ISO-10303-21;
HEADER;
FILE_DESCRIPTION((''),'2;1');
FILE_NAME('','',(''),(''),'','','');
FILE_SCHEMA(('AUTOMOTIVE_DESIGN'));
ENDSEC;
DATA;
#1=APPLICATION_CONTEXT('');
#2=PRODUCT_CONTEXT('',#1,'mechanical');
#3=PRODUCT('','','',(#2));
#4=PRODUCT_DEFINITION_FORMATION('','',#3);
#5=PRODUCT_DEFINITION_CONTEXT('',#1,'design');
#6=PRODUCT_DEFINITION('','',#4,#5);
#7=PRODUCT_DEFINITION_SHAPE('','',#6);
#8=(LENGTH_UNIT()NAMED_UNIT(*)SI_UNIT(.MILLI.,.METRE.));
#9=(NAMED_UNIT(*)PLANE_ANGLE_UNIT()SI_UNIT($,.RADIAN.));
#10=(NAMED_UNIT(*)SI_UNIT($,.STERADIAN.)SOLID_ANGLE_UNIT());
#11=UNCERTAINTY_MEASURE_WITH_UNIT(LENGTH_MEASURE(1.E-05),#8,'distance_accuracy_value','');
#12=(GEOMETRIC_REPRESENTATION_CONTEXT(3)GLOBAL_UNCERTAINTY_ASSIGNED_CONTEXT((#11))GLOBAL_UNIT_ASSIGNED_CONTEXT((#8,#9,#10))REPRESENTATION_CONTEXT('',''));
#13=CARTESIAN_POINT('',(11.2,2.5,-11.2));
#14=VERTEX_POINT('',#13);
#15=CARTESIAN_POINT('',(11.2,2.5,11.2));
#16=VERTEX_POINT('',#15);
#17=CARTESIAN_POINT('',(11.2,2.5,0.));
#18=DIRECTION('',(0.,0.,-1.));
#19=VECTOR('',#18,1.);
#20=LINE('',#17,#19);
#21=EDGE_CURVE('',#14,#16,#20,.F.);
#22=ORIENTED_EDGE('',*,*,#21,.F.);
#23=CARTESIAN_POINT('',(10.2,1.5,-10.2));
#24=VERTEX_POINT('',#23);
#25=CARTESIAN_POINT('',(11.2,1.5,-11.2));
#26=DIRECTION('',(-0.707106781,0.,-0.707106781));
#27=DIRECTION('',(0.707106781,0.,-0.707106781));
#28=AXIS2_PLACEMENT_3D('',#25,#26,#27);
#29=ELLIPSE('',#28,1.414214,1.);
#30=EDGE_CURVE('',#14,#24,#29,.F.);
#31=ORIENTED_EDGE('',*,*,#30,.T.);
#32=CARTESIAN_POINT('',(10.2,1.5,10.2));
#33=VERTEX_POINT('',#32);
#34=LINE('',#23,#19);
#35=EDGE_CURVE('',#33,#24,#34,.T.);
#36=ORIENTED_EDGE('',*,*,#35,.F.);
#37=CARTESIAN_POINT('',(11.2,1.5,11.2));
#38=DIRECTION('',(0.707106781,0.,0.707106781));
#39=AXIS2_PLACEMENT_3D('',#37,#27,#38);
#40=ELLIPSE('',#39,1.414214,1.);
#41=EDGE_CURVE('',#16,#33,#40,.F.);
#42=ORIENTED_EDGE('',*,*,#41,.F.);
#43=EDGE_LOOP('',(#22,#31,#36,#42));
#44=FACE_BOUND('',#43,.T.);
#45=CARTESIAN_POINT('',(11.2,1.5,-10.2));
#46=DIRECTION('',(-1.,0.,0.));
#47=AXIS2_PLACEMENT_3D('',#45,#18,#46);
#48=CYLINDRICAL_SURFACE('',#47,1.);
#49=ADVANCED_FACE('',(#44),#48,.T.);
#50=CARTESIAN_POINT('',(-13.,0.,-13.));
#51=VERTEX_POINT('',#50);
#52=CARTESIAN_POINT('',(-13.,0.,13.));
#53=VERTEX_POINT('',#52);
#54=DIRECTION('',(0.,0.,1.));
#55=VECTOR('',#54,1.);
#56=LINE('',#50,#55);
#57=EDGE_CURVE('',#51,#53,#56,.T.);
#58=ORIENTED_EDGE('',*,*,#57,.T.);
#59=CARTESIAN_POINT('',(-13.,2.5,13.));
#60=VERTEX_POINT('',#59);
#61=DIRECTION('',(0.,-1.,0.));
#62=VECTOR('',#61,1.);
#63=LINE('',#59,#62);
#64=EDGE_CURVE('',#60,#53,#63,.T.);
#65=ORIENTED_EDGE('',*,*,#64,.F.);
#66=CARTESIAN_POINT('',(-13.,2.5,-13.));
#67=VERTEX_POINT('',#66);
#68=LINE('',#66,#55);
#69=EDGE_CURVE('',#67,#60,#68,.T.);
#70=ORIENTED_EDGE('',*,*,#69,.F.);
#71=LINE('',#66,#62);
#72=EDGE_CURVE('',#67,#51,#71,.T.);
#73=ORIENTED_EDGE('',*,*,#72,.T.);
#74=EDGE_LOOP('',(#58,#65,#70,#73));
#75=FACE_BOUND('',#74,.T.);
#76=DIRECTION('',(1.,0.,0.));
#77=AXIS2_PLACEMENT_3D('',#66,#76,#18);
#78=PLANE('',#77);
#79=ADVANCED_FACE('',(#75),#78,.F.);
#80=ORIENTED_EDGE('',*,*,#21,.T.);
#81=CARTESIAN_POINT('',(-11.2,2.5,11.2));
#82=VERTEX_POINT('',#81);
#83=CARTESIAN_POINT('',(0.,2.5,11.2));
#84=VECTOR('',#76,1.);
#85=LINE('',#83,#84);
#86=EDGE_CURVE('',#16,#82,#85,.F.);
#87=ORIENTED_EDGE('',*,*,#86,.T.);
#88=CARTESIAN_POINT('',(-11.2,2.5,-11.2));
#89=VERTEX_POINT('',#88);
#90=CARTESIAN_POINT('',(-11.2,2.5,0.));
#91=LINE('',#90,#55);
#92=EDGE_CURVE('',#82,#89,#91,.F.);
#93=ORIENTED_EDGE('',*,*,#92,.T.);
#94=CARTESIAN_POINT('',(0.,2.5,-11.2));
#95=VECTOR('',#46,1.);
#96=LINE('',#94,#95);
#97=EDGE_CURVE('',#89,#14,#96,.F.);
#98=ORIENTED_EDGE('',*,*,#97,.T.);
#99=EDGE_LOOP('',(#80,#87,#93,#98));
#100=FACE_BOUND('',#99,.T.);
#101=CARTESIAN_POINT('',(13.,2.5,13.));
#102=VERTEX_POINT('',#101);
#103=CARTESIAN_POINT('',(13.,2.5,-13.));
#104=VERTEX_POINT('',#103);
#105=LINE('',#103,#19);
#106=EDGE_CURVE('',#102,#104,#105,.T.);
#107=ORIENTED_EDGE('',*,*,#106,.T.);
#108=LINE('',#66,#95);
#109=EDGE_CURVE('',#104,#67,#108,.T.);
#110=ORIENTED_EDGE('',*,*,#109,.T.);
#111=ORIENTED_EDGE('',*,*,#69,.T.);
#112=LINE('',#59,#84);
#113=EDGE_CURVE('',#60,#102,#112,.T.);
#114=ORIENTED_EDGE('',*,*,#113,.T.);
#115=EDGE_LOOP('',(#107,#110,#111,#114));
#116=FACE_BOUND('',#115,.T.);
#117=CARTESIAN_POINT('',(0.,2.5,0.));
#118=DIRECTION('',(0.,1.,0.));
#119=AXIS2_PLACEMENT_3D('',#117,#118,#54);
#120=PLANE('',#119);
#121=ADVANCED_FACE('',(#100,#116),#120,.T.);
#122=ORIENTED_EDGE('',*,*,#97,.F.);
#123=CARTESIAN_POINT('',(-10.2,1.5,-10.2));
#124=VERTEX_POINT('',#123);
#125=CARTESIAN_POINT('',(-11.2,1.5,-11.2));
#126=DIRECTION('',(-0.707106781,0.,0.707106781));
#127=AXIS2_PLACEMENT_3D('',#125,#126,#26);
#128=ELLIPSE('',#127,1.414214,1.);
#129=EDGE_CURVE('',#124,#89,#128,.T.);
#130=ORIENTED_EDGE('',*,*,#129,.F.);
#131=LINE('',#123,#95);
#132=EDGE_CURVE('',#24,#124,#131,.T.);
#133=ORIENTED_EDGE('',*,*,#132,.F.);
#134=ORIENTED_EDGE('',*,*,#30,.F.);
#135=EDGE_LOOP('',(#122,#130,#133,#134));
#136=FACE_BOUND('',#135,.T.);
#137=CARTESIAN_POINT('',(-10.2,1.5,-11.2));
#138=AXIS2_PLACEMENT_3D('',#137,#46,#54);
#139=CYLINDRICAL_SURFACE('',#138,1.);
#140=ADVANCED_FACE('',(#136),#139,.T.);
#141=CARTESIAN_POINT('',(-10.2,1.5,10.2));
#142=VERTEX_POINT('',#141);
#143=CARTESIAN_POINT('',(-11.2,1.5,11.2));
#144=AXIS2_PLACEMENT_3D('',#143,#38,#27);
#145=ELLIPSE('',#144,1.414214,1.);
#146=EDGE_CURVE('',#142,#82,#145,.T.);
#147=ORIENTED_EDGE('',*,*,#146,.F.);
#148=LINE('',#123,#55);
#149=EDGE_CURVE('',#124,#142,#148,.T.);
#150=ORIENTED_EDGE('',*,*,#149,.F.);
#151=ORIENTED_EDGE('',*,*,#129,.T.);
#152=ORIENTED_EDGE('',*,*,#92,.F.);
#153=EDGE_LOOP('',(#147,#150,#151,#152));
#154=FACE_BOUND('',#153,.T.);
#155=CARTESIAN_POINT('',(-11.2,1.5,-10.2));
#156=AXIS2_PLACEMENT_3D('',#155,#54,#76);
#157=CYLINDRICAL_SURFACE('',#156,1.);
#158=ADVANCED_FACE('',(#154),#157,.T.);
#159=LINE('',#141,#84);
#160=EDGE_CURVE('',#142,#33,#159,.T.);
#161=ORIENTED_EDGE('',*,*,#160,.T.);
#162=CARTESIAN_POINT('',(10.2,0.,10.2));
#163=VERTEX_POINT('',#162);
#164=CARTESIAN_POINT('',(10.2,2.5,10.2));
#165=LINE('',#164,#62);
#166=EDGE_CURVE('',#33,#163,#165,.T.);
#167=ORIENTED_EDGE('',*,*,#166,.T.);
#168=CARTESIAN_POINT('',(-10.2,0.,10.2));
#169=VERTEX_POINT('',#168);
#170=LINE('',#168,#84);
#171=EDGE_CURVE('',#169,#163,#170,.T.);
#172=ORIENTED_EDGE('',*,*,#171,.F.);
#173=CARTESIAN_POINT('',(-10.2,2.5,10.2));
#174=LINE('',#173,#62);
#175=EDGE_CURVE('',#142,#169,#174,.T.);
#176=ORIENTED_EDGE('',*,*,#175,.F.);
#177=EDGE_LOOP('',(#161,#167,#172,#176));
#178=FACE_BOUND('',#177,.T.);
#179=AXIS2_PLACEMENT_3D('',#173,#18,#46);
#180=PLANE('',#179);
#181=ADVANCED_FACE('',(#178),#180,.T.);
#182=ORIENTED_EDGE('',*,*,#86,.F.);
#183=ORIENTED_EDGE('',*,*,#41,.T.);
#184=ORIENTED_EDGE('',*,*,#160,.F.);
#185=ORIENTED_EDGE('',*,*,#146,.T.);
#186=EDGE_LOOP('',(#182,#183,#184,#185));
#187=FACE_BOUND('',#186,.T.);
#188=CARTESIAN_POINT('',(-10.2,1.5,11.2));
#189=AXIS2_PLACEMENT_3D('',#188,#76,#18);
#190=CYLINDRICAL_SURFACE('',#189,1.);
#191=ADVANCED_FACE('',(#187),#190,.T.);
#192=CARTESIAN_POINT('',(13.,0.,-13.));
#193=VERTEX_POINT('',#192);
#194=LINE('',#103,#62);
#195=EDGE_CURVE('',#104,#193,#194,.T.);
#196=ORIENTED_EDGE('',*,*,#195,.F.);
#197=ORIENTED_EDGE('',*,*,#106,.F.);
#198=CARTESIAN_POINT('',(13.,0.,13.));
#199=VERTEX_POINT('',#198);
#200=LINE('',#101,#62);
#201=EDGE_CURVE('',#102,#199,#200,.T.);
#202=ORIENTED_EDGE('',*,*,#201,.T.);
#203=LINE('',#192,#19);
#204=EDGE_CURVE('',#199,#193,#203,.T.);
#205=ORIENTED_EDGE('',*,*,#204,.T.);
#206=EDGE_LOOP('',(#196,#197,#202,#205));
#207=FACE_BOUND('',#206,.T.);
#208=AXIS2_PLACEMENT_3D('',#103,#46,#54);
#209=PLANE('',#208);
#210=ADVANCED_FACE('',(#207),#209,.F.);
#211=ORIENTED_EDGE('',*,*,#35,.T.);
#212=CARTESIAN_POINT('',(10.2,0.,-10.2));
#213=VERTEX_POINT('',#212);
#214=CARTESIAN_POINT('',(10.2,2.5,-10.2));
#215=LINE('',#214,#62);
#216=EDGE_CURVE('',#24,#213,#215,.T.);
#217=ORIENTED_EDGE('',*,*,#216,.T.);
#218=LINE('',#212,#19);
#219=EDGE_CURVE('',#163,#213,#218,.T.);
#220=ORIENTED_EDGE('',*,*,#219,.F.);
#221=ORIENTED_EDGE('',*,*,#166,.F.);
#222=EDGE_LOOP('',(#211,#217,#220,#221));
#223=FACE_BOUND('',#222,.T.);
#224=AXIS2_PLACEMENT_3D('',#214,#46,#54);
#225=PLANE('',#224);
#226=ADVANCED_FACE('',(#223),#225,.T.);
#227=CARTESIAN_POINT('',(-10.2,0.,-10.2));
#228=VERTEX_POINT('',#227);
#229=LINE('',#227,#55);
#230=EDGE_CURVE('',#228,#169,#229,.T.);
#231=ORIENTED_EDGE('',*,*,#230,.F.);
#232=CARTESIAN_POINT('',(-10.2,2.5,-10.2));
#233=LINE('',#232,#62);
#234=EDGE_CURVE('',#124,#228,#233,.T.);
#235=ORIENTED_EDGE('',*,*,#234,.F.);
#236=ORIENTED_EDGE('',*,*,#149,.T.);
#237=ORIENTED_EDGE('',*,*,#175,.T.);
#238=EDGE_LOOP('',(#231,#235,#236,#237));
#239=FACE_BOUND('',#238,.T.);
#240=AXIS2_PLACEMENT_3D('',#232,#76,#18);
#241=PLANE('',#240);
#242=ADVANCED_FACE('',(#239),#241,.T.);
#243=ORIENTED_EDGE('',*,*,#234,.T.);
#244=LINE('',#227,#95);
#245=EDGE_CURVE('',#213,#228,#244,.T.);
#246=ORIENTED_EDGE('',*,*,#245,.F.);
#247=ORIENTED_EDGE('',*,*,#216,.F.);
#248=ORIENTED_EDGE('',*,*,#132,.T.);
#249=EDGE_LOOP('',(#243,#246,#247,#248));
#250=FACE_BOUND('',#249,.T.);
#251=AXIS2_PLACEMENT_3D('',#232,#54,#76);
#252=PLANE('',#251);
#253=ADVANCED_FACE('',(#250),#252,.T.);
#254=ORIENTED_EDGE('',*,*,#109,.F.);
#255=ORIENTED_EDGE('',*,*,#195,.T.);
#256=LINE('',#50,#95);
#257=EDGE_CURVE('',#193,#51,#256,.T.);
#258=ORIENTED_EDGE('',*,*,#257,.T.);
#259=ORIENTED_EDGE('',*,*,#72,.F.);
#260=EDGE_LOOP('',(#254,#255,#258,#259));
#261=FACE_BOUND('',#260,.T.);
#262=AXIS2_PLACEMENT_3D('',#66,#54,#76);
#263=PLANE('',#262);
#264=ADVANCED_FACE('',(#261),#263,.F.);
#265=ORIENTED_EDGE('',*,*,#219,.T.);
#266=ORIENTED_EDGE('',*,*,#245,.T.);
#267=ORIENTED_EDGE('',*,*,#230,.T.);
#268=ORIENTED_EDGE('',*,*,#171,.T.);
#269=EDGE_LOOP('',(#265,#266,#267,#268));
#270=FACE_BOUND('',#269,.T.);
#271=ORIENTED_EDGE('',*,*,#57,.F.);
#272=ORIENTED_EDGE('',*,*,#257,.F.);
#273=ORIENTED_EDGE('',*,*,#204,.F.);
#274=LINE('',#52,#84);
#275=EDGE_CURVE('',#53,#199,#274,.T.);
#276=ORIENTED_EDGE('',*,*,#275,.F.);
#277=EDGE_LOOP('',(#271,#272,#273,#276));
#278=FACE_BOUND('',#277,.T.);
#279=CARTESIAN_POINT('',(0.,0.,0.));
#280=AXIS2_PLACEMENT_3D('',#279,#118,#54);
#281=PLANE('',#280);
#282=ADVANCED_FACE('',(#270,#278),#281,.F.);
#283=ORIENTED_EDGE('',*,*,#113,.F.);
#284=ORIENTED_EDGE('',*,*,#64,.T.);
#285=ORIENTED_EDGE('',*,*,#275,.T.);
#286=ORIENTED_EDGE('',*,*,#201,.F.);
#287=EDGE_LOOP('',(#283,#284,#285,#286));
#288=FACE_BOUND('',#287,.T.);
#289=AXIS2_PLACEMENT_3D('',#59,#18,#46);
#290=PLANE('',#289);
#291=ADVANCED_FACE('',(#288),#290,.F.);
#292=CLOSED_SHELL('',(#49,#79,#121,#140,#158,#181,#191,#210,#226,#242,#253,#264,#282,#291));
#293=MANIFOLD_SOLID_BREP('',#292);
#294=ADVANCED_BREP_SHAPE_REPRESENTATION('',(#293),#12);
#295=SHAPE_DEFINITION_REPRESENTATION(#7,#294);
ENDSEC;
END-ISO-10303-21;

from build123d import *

# Parameters (mm, degrees)
SKETCH1_W           = 26
SKETCH1_H           = 26
SKETCH1_W_2         = 20.4
SKETCH1_H_2         = 20.4
BOSS_EXTRUDE1_DEPTH = 2.5
FILLET1_R           = 1


with BuildPart() as part:
    # Sketch1 → Boss-Extrude1 (new body)
    with BuildSketch(Plane(origin=(0, 0, 0), x_dir=(1, 0, 0), z_dir=(0, 1, 0))):
        Rectangle(SKETCH1_W, SKETCH1_H)
        Rectangle(SKETCH1_W_2, SKETCH1_H_2, mode=Mode.SUBTRACT)
    extrude(amount=BOSS_EXTRUDE1_DEPTH)

    # Fillet1
    fillet1_edges = [part.edges().sort_by_distance(p)[0] for p in [
        (10.2, 2.5, 0),
        (0, 2.5, -10.2),
        (-10.2, 2.5, 0),
        (0, 2.5, 10.2),
    ]]
    fillet(fillet1_edges, radius=FILLET1_R)


solid = part.part
